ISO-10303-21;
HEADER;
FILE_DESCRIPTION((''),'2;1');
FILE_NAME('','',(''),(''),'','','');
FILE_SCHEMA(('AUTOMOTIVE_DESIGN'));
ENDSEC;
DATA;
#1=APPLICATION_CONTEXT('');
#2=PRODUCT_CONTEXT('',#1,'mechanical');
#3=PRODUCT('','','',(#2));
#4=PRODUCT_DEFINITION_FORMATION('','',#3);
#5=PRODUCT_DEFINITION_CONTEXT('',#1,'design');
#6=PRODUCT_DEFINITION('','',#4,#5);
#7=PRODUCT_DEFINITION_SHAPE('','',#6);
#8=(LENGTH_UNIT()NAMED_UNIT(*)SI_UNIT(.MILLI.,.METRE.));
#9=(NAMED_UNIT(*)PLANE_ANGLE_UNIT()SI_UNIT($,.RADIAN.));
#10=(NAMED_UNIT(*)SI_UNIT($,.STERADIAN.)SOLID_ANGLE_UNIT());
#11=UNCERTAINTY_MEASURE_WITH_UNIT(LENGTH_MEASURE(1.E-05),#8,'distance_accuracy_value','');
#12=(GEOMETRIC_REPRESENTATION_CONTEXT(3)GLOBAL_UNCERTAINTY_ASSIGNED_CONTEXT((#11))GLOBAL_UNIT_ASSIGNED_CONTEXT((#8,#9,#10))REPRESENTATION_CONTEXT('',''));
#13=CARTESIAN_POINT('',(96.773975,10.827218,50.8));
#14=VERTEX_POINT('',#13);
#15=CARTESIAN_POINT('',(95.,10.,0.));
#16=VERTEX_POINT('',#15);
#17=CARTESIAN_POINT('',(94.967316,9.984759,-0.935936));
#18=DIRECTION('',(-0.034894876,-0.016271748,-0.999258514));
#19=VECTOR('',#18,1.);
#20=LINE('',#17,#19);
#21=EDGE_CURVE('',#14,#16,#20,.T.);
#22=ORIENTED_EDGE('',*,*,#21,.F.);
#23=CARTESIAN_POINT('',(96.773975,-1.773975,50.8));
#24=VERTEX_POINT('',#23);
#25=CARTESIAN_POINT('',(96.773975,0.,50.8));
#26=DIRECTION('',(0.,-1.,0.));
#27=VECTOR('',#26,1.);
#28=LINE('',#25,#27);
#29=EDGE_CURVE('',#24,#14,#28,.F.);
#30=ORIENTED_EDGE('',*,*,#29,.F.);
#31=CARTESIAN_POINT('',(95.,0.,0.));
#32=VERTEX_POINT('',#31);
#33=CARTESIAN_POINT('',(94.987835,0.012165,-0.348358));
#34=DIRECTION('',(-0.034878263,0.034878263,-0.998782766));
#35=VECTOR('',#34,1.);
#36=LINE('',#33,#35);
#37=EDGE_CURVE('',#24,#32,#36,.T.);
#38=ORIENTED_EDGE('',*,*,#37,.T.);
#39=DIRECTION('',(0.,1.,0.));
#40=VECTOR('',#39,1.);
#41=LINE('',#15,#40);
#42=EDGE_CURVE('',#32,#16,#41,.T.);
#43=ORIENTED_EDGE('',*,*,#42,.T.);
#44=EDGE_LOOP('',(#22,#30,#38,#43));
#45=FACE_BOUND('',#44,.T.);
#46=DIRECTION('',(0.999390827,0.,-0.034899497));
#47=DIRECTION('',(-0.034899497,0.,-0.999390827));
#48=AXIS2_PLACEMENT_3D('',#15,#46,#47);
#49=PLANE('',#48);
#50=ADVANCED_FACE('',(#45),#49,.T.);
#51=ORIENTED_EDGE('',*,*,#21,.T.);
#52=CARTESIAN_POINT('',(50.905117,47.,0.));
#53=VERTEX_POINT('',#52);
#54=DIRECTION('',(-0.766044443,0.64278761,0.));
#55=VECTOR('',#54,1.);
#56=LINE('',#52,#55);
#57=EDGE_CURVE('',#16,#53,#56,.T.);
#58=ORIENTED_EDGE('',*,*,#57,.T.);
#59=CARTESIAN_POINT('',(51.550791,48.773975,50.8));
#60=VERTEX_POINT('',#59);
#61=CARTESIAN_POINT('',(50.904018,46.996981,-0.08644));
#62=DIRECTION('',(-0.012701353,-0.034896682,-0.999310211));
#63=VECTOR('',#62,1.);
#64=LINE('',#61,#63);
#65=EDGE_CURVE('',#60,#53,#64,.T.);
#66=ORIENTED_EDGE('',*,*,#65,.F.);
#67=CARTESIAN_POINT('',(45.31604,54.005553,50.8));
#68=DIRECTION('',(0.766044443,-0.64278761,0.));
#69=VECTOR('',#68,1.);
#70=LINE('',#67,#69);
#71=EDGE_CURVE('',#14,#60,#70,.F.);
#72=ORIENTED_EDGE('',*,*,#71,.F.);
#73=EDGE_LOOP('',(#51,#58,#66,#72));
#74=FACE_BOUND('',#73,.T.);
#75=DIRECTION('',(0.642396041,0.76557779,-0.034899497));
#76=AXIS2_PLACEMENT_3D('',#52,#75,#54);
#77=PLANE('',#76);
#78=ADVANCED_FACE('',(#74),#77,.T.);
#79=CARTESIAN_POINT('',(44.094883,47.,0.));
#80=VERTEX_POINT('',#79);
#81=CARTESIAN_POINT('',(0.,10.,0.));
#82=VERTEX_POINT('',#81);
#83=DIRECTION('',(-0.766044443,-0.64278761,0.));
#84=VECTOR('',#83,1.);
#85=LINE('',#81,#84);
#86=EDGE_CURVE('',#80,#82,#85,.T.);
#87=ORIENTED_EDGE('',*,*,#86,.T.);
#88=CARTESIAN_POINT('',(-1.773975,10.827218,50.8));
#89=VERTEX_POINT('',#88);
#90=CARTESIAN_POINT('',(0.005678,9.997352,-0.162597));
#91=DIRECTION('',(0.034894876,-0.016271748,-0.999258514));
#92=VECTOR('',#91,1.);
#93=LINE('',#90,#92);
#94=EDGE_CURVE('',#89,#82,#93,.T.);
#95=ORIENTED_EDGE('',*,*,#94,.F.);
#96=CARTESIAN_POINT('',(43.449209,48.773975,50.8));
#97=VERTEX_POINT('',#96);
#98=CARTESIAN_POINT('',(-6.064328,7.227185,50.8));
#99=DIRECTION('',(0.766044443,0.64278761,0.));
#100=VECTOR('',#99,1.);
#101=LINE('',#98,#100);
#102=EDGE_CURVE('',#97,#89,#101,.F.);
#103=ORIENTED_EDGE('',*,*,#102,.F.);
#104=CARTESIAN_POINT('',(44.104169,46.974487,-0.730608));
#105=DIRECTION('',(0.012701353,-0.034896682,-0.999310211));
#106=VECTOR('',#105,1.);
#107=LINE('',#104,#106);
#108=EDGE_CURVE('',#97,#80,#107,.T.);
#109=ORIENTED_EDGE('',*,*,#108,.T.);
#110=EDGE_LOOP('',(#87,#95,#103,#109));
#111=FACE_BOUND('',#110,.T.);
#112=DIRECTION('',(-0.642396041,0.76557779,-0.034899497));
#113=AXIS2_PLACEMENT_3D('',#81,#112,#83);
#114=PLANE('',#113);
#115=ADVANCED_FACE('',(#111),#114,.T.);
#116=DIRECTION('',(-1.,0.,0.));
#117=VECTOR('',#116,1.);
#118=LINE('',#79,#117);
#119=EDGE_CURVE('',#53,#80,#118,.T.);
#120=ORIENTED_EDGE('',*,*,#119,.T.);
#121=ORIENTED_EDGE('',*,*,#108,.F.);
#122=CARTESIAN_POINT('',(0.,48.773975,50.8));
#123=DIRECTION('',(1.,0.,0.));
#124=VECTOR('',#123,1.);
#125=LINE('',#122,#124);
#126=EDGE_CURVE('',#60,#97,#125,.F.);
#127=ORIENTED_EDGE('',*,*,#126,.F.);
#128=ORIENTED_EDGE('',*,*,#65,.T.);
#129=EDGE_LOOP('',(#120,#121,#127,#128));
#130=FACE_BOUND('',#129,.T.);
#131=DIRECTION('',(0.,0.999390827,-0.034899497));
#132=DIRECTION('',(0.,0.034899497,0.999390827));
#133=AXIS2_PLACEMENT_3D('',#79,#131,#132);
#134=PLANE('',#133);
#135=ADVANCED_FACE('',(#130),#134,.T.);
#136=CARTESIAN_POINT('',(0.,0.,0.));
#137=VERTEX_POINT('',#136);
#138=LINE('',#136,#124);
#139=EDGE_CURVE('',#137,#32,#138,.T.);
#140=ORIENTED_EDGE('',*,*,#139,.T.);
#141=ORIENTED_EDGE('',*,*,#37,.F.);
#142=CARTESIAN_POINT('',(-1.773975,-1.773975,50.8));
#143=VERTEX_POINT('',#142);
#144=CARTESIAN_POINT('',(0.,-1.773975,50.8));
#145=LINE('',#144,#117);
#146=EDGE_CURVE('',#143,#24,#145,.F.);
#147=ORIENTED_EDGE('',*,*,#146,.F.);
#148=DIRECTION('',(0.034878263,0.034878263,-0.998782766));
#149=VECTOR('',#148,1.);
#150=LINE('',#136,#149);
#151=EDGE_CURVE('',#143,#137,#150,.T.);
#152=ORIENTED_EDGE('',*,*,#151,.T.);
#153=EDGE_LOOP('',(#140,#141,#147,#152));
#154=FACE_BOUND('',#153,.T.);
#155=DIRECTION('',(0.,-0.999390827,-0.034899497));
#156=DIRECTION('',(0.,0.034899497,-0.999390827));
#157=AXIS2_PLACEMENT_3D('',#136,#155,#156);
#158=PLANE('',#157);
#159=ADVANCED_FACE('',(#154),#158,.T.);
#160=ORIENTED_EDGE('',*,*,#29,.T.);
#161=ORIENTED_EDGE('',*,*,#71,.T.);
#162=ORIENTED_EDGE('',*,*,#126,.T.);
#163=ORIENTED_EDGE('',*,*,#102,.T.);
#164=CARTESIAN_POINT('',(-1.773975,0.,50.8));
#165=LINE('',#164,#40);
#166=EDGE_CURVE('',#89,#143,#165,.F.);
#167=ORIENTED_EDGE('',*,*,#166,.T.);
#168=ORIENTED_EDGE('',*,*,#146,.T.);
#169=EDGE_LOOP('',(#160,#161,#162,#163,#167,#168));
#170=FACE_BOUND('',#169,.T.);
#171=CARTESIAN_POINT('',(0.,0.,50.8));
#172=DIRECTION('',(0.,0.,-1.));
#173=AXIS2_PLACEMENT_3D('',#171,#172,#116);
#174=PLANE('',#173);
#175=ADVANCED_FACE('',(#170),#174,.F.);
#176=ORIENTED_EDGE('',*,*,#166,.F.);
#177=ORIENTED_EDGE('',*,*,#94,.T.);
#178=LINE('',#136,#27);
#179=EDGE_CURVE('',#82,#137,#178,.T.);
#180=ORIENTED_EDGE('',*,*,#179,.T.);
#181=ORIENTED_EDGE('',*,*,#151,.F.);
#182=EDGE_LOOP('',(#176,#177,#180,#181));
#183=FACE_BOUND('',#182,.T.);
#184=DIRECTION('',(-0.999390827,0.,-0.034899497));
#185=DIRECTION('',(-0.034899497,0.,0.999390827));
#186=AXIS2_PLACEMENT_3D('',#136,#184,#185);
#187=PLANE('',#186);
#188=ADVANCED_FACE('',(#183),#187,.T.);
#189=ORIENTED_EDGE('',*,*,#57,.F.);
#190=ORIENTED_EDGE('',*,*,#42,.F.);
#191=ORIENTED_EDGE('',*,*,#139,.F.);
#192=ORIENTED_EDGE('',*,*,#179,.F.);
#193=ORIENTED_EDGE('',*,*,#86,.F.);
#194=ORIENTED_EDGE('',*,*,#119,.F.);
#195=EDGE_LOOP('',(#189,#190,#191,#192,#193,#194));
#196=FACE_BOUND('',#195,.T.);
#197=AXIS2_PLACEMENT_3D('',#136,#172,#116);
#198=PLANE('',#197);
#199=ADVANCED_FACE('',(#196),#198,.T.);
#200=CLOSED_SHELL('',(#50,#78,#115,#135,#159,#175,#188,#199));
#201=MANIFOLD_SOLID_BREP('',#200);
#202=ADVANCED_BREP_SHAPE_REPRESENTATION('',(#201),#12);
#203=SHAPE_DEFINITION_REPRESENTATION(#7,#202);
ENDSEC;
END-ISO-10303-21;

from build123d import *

# Parameters (mm, degrees)
SALIENTE_EXTRUIR3_DEPTH = 50.8
SALIENTE_EXTRUIR3_TAPER = -2


with BuildPart() as part:
    # Croquis6 → Saliente-Extruir3 (new body)
    with BuildSketch(Plane.XY):
        Polygon((0, 0), (95, 0), (95, 10), (50.905117074, 47), (44.094882926, 47), (0, 10), align=None)
    extrude(amount=SALIENTE_EXTRUIR3_DEPTH, taper=SALIENTE_EXTRUIR3_TAPER)


solid = part.part
